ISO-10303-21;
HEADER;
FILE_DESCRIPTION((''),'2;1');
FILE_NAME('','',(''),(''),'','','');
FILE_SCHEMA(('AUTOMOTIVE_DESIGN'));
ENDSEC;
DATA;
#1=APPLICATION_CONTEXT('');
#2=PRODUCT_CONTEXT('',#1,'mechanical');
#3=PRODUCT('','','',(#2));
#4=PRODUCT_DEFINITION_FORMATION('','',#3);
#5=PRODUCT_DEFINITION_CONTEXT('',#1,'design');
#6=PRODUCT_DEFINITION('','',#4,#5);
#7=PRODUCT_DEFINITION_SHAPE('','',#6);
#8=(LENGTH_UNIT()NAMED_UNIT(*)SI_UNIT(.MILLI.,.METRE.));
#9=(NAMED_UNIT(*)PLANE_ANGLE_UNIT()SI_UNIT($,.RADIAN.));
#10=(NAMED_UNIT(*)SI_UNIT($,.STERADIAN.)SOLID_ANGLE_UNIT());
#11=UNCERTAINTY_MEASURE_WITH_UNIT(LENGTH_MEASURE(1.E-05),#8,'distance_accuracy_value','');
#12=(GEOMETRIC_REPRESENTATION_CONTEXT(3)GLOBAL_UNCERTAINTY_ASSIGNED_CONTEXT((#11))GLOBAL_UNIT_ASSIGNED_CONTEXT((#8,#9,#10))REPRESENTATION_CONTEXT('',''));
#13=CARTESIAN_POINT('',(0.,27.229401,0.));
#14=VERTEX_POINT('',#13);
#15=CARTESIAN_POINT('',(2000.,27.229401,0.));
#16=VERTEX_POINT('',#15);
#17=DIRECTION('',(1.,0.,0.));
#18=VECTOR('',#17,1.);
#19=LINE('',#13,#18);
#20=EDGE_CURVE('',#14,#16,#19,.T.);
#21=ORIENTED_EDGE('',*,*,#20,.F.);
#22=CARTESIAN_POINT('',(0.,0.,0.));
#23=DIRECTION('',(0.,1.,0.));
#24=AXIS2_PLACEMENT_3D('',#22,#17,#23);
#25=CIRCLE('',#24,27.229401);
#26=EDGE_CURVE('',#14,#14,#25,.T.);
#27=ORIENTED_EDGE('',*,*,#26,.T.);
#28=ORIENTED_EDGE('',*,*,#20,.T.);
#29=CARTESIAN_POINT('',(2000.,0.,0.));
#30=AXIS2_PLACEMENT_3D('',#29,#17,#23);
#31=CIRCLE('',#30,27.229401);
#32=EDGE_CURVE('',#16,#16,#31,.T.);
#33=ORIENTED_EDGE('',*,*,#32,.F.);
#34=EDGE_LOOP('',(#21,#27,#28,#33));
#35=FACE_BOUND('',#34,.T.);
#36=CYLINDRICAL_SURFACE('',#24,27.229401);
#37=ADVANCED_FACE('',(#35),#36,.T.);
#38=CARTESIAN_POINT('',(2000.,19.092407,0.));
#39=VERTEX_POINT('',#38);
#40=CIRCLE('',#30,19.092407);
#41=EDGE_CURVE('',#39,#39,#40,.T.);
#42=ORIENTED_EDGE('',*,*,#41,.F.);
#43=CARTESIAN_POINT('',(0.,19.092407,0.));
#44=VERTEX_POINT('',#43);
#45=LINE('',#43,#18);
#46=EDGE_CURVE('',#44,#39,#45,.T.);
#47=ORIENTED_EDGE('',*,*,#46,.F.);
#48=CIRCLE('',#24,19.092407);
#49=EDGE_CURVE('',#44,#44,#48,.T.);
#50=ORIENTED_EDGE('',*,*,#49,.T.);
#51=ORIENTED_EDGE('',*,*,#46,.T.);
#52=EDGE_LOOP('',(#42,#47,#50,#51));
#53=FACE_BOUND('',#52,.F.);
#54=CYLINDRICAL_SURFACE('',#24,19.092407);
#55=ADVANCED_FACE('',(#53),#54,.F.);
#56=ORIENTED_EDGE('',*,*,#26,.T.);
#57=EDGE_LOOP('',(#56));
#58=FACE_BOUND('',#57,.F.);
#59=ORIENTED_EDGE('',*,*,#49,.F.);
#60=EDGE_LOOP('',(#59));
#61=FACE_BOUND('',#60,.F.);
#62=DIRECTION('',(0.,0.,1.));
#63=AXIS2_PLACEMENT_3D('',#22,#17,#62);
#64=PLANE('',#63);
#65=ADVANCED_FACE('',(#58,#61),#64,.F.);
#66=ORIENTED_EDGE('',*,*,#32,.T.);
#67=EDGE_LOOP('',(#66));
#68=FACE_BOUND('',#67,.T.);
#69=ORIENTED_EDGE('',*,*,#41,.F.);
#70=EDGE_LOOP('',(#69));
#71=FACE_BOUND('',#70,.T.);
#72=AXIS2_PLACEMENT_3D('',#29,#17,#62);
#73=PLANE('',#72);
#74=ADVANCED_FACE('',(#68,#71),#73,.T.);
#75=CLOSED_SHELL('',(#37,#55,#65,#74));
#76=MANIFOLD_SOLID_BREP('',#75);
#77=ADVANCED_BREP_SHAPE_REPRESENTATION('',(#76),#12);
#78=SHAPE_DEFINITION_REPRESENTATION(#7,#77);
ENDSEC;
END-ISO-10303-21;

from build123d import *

# Parameters (mm, degrees)
F1_R   = 27.229401
F1_R_2 = 19.092407


with BuildPart() as f2:
    # F2: sweep along a path in F0
    with BuildLine(Plane.XZ) as f2_path:
        Line((0, 0), (2000, 0))
    # F1 (on Right) → F2 (sweep)
    with BuildSketch(Plane.YZ):
        Circle(F1_R)
        Circle(F1_R_2, mode=Mode.SUBTRACT)
    sweep(path=f2_path.line)


solid = f2.part
